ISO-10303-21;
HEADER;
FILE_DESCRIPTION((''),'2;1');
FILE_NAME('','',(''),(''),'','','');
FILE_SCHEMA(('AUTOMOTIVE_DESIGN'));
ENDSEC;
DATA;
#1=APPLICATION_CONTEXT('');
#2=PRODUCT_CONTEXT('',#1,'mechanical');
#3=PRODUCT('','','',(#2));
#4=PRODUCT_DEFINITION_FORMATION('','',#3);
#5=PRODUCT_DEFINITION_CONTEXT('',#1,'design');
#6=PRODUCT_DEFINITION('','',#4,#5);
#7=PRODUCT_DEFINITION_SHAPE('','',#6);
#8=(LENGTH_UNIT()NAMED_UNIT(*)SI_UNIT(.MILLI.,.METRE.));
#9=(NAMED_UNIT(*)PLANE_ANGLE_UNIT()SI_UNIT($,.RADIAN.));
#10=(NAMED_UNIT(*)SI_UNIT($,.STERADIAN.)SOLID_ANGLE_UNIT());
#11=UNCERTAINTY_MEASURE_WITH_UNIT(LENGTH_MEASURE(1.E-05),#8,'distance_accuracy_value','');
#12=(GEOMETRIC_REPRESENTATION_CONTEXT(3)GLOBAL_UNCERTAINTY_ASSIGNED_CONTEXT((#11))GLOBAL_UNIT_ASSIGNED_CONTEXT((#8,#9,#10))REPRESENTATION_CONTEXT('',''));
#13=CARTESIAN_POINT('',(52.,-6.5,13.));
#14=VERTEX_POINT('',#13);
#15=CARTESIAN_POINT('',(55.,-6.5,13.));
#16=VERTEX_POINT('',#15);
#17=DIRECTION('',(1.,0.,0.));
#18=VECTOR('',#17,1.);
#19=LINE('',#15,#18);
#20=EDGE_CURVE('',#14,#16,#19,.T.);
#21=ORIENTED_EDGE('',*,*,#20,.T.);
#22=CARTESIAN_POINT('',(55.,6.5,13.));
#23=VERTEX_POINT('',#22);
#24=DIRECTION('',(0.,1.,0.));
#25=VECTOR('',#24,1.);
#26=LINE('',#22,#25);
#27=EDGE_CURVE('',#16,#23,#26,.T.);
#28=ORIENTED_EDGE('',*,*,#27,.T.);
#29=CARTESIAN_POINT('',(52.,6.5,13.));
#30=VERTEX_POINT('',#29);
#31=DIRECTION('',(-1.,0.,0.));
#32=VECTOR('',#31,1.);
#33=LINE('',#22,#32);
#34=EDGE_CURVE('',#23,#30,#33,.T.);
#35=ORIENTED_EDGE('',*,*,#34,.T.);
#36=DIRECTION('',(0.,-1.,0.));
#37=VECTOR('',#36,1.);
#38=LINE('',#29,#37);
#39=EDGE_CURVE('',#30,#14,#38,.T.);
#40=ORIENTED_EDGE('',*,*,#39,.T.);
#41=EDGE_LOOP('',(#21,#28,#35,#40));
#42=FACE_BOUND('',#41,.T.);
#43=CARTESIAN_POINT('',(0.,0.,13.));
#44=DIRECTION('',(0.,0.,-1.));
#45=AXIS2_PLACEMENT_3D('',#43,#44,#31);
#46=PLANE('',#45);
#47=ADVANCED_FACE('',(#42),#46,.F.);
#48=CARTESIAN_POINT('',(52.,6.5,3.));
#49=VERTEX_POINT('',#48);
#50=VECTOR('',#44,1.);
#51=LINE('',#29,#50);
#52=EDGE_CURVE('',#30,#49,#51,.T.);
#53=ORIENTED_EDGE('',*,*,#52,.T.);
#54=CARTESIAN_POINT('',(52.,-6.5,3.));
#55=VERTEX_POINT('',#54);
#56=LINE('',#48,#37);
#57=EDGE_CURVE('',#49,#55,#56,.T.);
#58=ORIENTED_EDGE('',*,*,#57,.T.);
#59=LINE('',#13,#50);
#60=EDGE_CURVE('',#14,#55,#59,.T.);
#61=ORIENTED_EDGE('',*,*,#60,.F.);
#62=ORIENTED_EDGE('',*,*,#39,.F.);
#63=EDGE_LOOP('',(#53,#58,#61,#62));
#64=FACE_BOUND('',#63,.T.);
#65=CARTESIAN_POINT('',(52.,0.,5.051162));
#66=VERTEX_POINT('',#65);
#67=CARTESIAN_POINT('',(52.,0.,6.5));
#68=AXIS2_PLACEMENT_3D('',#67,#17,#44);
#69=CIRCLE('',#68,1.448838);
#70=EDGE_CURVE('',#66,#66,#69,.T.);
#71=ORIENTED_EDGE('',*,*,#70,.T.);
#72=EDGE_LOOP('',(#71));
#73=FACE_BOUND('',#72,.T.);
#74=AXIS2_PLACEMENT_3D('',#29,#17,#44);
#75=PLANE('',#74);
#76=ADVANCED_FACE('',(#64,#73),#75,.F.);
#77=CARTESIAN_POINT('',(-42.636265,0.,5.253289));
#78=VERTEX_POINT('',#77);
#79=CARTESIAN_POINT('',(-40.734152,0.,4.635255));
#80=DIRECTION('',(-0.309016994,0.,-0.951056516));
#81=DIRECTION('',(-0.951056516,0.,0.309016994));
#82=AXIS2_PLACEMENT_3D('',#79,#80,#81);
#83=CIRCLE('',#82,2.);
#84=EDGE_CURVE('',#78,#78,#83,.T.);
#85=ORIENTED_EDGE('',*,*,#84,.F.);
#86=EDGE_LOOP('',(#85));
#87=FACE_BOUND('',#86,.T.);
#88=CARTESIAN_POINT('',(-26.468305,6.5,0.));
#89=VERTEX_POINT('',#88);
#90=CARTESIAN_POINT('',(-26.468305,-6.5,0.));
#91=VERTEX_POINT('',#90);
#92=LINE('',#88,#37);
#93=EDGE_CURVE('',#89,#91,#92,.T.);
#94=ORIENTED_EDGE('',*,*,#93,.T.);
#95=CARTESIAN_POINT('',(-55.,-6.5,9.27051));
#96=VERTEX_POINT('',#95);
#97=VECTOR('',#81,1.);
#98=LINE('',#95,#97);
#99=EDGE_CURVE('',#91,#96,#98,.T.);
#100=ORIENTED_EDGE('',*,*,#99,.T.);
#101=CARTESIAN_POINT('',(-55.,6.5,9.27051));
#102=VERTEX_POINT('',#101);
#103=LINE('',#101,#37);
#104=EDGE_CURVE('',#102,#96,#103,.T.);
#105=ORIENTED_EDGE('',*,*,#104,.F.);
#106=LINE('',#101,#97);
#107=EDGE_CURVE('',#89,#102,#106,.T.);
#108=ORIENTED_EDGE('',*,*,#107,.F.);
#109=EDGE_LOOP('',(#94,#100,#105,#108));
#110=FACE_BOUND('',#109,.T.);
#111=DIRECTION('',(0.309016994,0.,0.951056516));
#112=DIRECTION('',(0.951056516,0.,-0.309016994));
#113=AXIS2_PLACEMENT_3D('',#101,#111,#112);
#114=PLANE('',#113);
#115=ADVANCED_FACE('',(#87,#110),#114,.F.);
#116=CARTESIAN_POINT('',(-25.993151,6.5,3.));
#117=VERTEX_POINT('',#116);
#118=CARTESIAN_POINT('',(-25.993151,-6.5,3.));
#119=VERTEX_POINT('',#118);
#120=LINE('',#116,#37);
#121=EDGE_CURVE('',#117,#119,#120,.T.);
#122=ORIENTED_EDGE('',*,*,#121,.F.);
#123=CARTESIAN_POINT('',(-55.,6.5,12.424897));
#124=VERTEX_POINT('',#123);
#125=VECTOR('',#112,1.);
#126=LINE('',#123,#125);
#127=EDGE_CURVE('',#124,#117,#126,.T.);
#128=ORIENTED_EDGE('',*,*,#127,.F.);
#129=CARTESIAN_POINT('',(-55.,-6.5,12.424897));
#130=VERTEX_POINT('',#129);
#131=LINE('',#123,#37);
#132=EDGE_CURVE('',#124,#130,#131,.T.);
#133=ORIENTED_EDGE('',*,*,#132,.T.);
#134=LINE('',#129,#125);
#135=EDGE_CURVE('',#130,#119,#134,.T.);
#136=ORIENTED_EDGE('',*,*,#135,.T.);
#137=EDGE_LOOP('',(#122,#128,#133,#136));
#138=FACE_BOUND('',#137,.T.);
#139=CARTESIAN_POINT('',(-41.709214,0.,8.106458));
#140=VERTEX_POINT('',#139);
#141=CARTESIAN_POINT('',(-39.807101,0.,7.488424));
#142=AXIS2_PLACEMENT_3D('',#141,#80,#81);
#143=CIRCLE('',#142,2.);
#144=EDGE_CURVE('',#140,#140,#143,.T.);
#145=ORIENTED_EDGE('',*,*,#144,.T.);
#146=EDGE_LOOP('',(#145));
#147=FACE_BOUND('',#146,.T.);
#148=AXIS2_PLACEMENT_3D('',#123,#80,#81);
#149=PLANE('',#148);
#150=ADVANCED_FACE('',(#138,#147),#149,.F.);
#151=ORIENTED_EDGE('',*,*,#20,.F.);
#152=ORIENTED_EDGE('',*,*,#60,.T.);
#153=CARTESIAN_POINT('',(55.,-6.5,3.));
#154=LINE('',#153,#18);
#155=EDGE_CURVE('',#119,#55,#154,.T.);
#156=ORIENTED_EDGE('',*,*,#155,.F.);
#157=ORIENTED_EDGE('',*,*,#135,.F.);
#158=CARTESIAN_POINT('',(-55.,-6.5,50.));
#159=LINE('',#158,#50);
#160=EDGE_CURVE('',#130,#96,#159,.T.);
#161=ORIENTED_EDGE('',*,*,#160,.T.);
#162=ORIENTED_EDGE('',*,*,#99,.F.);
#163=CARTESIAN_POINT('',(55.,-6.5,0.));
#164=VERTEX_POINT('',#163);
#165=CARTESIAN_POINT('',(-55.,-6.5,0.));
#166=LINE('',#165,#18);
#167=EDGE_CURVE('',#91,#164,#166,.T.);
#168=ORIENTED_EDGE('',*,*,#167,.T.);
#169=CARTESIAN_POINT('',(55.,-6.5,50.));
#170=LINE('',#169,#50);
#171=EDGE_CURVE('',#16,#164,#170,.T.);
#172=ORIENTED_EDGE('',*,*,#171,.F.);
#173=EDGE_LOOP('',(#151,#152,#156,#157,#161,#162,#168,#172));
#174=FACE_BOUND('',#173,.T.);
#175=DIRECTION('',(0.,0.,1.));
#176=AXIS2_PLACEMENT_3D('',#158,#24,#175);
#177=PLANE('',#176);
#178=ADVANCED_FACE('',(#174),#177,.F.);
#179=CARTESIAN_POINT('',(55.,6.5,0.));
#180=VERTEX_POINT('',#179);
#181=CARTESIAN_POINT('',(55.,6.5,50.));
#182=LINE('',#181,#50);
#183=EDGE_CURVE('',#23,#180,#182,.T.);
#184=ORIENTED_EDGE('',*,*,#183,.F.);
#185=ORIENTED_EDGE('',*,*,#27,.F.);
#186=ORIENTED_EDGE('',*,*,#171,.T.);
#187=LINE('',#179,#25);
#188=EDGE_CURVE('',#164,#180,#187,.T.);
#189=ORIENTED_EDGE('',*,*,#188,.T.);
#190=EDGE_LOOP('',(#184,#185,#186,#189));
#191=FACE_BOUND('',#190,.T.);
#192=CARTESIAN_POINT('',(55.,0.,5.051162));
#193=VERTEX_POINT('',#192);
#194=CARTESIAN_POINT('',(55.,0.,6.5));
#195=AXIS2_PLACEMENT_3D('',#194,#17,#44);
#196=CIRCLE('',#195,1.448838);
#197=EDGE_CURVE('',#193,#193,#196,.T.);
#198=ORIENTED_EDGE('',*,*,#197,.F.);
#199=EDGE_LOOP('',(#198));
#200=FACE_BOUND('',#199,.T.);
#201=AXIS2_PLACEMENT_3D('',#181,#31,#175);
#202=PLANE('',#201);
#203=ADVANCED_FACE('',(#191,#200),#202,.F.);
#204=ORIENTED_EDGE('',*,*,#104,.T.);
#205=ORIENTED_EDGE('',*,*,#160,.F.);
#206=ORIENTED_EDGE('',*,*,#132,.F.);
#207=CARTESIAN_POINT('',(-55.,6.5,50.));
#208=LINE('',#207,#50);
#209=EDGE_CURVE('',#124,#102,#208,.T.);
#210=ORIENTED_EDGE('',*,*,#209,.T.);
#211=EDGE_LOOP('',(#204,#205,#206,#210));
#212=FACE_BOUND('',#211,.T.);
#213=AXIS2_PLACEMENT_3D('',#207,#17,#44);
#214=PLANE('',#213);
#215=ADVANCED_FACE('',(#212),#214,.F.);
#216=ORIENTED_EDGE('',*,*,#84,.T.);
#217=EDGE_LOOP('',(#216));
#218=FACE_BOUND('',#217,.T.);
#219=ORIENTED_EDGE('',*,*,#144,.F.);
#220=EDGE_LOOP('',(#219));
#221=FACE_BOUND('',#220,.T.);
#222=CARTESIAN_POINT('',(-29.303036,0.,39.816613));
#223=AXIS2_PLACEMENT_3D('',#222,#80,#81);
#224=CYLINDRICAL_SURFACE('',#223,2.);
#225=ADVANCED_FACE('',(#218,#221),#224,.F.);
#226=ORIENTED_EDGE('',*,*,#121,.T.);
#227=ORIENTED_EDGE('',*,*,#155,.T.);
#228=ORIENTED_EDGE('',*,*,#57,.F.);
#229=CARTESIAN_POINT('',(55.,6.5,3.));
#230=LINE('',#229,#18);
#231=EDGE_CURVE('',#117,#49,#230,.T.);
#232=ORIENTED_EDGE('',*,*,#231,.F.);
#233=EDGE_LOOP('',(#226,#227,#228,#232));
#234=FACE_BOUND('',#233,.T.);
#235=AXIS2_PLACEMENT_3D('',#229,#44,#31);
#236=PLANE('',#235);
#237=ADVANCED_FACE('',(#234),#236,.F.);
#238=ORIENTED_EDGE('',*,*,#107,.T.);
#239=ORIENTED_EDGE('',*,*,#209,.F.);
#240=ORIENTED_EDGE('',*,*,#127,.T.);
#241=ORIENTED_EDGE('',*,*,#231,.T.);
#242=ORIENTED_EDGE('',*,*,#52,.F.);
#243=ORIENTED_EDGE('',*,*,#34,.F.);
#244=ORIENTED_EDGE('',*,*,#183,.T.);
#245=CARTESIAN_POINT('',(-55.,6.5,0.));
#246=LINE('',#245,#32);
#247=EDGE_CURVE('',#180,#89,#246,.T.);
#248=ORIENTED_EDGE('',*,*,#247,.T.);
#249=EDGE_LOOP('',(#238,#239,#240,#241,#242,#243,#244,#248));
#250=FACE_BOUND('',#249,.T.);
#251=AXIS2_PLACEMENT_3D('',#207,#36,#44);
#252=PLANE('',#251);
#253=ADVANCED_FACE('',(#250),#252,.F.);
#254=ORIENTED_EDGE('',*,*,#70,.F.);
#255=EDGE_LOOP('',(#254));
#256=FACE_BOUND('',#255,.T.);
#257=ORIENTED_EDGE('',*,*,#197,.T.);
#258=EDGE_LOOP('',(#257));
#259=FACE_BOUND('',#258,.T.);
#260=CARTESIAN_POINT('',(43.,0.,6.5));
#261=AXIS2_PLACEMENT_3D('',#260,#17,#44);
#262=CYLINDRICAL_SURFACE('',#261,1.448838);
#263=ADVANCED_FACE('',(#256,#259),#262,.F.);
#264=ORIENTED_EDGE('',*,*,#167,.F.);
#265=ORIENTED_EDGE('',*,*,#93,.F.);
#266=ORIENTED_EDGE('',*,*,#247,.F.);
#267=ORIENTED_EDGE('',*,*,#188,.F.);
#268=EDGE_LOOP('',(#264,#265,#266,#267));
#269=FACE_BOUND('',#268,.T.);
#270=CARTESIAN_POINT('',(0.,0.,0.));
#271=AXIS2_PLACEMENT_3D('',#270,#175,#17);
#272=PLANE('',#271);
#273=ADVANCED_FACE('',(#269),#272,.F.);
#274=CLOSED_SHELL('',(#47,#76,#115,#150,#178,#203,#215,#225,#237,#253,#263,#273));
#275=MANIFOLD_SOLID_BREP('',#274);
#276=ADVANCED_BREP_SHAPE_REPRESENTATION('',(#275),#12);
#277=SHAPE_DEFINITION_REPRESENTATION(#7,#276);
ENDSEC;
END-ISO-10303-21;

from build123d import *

# Parameters (mm, degrees)
SKETCH1_W           = 110
SKETCH1_H           = 13
BOSS_EXTRUDE1_DEPTH = 50
CUT_EXTRUDE1_DEPTH  = 76.45859792
CUT_EXTRUDE2_DEPTH  = 76.45859792
SKETCH4_R           = 2
CUT_EXTRUDE3_DEPTH  = 62.317648321
SKETCH5_W           = 3
SKETCH5_H           = 13
BOSS_EXTRUDE2_DEPTH = 10
SKETCH6_R           = 1.448838416
CUT_EXTRUDE5_DEPTH  = 12


with BuildPart() as part:
    # Sketch1 → Boss-Extrude1 (new body)
    with BuildSketch(Plane.XY):
        Rectangle(SKETCH1_W, SKETCH1_H)
    extrude(amount=BOSS_EXTRUDE1_DEPTH)

    # Sketch2 → Cut-Extrude1 (cut, through all)
    with BuildSketch(Plane.XZ.offset(6.5)):
        Polygon((-55, 9.270509831), (-26.468304511, 0), (-55, 0), align=None)
    extrude(amount=-CUT_EXTRUDE1_DEPTH, mode=Mode.SUBTRACT)

    # Sketch3 → Cut-Extrude2 (cut, through all)
    with BuildSketch(Plane.XZ.offset(6.5)):
        Polygon((-55, 12.424896504), (-25.99315119, 3), (55, 3), (55, 50), (-55, 50), align=None)
    extrude(amount=-CUT_EXTRUDE2_DEPTH, mode=Mode.SUBTRACT)

    # Sketch4 → Cut-Extrude3 (cut, through all)
    with BuildSketch(Plane(origin=(-2.527498175, 0, -7.778839522), x_dir=(-0.9510565162951533, 0, 0.30901699437494845), z_dir=(-0.30901699437494845, 0, -0.9510565162951533))):
        with Locations((40.172853481, 0)):
            Circle(SKETCH4_R)
    extrude(amount=-CUT_EXTRUDE3_DEPTH, mode=Mode.SUBTRACT)

    # Sketch5 → Boss-Extrude2 (add)
    with BuildSketch(Plane.XY.offset(3)):
        with Locations((53.5, 0)):
            Rectangle(SKETCH5_W, SKETCH5_H)
    extrude(amount=BOSS_EXTRUDE2_DEPTH)

    # Sketch6 → Cut-Extrude5 (cut)
    with BuildSketch(Plane(origin=(55, 0, 0), x_dir=(0, 0, -1), z_dir=(1, 0, 0))):
        with Locations((-6.5, 0)):
            Circle(SKETCH6_R)
    extrude(amount=-CUT_EXTRUDE5_DEPTH, mode=Mode.SUBTRACT)


solid = part.part
